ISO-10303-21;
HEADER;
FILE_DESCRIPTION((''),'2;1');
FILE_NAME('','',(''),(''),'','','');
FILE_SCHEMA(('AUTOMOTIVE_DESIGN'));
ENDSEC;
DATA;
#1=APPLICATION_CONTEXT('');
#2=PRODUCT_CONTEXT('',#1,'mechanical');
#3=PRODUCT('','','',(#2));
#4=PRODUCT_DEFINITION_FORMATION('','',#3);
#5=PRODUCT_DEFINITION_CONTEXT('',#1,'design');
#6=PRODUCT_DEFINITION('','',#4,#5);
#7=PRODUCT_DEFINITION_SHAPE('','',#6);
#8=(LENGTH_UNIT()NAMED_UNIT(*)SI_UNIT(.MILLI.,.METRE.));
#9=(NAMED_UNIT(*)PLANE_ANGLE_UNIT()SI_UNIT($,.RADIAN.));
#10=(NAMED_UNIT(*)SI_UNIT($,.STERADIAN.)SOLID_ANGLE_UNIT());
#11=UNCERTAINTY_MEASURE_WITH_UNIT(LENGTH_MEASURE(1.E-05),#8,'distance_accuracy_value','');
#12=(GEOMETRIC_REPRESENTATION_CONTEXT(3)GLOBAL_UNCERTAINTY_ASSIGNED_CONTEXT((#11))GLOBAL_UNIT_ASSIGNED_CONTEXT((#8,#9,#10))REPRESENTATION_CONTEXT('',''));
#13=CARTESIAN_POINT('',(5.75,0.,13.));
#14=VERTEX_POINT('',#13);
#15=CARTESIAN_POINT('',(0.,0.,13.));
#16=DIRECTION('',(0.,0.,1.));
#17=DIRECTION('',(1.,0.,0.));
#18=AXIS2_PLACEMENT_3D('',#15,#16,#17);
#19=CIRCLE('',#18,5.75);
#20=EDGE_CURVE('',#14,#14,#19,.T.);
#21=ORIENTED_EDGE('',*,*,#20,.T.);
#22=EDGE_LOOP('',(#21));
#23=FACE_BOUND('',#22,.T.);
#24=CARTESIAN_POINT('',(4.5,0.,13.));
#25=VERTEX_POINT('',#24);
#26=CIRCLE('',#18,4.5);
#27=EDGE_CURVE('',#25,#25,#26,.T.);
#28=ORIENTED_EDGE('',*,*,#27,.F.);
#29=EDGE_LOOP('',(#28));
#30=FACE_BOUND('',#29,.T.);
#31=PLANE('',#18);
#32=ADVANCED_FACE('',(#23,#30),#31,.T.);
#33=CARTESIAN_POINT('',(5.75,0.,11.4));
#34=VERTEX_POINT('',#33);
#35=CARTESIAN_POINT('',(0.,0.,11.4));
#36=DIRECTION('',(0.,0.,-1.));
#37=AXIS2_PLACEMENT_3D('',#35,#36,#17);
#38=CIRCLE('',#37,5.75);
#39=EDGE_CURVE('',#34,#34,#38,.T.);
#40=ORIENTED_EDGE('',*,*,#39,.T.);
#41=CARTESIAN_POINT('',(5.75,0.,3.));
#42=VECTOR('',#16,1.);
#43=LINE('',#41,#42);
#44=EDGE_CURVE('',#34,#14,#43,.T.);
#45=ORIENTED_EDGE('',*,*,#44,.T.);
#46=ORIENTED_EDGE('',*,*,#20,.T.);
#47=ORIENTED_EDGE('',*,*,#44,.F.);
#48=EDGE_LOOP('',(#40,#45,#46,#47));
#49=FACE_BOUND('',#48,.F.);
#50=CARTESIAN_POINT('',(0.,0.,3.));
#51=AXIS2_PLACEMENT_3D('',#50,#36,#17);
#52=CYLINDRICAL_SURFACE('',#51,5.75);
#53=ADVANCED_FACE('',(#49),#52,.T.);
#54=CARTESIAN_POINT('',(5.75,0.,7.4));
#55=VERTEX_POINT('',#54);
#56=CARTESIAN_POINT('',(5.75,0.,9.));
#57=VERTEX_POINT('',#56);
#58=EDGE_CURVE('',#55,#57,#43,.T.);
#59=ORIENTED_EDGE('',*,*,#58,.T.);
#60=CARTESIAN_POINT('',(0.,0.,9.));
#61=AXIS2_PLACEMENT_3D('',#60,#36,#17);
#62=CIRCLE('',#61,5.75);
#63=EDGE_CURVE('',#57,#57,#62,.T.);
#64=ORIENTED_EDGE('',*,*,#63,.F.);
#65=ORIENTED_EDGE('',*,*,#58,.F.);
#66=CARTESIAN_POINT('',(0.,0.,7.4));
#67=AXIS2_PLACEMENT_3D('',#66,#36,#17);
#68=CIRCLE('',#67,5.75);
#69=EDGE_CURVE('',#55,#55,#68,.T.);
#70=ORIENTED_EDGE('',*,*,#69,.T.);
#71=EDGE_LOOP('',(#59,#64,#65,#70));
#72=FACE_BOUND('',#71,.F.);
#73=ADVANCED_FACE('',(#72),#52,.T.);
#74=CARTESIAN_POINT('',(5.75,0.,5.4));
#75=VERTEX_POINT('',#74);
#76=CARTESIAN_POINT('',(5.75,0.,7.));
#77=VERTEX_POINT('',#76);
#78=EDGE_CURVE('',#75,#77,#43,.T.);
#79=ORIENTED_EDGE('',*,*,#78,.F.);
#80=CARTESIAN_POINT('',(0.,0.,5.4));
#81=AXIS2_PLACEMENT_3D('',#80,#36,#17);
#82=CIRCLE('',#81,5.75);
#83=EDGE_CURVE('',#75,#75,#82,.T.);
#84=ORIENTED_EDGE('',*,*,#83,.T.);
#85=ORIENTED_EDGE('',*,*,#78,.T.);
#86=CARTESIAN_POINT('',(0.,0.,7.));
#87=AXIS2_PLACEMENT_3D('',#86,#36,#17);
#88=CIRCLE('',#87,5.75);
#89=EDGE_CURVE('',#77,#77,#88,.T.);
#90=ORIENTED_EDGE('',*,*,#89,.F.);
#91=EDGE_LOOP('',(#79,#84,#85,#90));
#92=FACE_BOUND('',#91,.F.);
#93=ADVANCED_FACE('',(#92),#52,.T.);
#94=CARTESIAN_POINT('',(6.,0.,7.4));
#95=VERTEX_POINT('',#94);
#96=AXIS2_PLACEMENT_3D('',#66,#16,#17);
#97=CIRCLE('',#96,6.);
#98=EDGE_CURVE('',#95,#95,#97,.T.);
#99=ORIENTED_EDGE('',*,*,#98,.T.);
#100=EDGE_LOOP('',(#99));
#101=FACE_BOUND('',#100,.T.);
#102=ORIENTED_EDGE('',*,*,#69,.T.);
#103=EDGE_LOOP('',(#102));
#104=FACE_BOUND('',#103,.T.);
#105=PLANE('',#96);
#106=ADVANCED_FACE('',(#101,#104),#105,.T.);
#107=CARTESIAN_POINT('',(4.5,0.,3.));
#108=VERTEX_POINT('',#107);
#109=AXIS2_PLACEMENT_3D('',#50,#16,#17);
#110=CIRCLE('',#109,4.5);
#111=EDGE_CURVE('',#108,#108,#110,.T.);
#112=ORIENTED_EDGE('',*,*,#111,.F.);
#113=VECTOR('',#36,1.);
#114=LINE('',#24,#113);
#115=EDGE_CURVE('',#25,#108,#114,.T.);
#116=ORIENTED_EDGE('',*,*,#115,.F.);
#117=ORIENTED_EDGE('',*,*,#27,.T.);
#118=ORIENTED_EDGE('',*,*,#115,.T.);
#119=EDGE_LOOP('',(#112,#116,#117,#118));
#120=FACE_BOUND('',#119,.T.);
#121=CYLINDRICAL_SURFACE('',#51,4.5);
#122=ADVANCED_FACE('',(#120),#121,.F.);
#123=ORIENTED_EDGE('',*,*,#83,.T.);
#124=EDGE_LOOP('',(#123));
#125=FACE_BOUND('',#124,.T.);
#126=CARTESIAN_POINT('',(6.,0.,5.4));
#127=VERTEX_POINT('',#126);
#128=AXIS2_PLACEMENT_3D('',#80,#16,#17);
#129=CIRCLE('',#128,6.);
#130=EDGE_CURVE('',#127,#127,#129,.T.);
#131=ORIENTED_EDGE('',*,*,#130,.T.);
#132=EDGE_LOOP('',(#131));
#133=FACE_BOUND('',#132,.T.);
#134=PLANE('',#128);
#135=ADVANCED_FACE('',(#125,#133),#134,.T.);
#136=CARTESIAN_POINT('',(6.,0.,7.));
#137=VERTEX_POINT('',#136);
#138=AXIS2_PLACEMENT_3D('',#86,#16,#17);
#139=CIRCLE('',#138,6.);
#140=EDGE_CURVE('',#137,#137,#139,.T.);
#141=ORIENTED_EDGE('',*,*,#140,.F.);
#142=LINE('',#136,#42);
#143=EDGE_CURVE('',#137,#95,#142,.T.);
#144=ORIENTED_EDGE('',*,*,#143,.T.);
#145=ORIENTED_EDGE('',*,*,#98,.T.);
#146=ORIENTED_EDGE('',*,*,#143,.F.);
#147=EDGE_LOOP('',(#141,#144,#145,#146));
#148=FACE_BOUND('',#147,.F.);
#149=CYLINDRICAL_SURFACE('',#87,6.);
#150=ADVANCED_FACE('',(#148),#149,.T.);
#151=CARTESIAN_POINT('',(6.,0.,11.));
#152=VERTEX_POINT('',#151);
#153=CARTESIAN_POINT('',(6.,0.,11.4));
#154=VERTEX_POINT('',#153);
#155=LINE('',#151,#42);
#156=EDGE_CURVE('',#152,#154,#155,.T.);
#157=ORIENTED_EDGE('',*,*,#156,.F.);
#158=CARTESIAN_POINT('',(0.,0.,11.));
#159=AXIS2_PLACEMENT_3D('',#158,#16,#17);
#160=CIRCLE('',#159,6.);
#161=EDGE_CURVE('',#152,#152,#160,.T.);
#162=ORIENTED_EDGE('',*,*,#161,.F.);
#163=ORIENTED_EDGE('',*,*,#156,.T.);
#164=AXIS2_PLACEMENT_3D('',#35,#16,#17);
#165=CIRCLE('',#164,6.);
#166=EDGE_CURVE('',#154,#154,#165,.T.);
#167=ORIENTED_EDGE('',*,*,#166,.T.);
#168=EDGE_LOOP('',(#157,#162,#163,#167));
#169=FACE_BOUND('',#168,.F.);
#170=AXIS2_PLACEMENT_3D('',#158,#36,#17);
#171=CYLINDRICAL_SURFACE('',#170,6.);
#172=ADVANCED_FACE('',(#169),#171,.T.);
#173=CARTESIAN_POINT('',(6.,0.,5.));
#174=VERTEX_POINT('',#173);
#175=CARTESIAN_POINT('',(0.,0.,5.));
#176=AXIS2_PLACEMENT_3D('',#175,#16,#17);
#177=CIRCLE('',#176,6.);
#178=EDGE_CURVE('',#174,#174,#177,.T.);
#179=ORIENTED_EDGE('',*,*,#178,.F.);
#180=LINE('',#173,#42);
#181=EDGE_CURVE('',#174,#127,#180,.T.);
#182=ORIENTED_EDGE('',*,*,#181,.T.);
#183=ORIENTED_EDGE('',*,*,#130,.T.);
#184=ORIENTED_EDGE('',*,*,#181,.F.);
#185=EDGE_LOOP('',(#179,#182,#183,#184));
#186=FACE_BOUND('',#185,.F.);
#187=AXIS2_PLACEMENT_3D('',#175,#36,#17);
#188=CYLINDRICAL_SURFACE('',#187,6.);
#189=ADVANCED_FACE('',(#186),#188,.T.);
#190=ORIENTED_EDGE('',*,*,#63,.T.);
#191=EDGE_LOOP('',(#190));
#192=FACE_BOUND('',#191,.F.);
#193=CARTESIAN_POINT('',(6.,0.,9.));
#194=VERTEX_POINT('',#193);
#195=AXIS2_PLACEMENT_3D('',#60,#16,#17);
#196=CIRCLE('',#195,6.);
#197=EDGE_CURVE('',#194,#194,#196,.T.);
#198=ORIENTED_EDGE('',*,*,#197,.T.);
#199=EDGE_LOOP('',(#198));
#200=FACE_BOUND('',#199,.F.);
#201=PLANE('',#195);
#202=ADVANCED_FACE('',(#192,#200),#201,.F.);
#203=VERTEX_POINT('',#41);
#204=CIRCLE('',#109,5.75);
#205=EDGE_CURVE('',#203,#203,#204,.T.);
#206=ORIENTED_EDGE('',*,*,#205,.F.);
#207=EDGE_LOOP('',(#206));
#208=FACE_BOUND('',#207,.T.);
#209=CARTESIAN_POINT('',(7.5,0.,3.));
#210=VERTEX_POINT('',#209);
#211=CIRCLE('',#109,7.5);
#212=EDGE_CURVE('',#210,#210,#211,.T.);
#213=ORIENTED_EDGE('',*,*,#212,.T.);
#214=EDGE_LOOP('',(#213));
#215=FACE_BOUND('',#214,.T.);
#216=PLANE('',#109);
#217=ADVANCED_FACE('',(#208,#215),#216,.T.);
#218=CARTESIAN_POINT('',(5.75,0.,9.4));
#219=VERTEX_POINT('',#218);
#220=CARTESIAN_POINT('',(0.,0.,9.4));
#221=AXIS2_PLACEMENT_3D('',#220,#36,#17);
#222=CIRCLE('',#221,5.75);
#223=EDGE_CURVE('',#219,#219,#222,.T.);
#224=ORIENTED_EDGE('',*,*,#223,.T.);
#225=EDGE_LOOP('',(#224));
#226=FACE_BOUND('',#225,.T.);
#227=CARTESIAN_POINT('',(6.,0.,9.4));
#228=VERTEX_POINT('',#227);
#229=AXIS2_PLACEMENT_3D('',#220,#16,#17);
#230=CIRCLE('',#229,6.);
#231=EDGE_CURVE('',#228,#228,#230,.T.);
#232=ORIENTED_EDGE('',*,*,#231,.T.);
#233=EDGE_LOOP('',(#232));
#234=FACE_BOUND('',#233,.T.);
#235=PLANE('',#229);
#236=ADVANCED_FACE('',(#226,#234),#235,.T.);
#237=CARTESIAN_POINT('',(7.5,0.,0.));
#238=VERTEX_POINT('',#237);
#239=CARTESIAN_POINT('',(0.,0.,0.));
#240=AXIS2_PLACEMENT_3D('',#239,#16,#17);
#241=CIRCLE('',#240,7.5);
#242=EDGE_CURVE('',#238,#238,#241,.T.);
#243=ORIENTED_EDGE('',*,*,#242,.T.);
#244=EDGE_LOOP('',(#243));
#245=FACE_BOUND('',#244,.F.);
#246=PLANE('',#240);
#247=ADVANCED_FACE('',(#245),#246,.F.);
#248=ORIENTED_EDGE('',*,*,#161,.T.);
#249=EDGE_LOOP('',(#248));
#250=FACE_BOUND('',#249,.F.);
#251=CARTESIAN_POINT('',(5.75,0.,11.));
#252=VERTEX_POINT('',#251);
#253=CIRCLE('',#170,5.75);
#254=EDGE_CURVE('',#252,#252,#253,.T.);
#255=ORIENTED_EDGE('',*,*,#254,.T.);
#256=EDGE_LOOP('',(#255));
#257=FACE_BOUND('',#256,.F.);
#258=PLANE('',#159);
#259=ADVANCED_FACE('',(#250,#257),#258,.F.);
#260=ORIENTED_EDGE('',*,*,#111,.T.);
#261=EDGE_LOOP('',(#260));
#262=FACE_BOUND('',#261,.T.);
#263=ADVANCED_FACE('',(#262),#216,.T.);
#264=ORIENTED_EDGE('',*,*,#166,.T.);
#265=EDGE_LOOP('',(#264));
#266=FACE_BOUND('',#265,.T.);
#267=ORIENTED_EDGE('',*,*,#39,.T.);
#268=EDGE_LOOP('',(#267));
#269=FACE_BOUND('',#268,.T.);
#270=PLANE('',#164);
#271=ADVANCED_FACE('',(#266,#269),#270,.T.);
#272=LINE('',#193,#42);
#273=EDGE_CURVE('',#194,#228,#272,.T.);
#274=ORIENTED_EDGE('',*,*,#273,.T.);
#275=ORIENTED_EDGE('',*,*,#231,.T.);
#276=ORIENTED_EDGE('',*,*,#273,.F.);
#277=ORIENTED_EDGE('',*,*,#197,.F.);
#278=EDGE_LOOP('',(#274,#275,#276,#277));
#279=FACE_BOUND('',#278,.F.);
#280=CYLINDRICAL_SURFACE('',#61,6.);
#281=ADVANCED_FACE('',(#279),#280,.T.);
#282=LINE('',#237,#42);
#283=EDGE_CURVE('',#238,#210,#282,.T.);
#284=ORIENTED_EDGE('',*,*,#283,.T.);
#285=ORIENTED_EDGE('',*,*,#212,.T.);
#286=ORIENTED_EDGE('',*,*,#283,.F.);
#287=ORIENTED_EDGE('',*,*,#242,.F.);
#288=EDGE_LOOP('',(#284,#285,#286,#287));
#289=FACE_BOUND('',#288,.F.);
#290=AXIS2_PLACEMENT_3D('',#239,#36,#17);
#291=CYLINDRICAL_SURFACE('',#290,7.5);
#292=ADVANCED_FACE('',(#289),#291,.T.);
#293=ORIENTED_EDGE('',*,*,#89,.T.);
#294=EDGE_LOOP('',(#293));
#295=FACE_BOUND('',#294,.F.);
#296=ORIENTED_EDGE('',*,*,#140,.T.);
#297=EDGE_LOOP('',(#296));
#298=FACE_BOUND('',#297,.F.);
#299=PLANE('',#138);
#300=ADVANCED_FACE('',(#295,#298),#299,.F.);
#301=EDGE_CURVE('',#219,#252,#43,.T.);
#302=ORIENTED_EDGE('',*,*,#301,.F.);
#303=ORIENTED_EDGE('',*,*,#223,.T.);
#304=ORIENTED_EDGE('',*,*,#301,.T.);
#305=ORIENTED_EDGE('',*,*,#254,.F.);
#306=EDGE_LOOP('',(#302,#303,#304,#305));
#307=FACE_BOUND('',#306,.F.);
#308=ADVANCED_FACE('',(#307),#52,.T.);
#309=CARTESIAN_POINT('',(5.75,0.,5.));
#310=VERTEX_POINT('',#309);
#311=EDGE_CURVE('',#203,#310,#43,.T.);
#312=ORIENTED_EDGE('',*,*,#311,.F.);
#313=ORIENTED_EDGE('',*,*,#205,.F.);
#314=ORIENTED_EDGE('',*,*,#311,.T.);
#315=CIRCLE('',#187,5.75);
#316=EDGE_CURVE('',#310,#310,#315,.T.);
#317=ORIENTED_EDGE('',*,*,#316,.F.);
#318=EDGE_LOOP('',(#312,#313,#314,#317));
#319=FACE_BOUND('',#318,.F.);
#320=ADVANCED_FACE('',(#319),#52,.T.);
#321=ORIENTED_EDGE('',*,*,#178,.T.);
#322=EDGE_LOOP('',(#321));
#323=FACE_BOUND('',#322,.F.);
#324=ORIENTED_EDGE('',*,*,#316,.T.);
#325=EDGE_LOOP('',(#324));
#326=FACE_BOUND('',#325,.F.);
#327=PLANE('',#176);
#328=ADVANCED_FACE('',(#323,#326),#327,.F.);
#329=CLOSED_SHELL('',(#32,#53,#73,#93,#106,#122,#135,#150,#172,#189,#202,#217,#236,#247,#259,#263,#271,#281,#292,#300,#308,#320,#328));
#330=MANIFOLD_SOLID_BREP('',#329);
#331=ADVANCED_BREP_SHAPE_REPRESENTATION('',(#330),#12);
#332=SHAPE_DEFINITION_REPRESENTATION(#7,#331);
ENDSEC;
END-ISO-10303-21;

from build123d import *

# Parameters (mm, degrees)
F0_R      = 7.5
F1_DEPTH  = 3
F2_R      = 5.75
F2_R_2    = 4.5
F3_DEPTH  = 10
F5_R      = 6
F5_R_2    = 4.5
F6_DEPTH  = 0.4
F8_R      = 6
F8_R_2    = 4.5
F9_DEPTH  = 0.4
F11_R     = 6
F11_R_2   = 4.5
F12_DEPTH = 0.4
F14_R     = 6
F14_R_2   = 4.5
F15_DEPTH = 0.4


with BuildPart() as f1:
    # F0 (on Top) → F1 (new body)
    with BuildSketch(Plane.XY):
        Circle(F0_R)
    extrude(amount=F1_DEPTH)

    # F2 (on face) → F3 (join)
    with BuildSketch(Plane.XY.offset(3)):
        Circle(F2_R)
        Circle(F2_R_2, mode=Mode.SUBTRACT)
    extrude(amount=F3_DEPTH)

    # F5 (on offset) → F6 (join)
    with BuildSketch(Plane.XY.offset(5)):
        Circle(F5_R)
        Circle(F5_R_2, mode=Mode.SUBTRACT)
    extrude(amount=F6_DEPTH)

    # F8 (on offset) → F9 (join)
    with BuildSketch(Plane.XY.offset(7)):
        Circle(F8_R)
        Circle(F8_R_2, mode=Mode.SUBTRACT)
    extrude(amount=F9_DEPTH)

    # F11 (on offset) → F12 (join)
    with BuildSketch(Plane.XY.offset(9)):
        Circle(F11_R)
        Circle(F11_R_2, mode=Mode.SUBTRACT)
    extrude(amount=F12_DEPTH)

    # F14 (on offset) → F15 (join)
    with BuildSketch(Plane.XY.offset(11)):
        Circle(F14_R)
        Circle(F14_R_2, mode=Mode.SUBTRACT)
    extrude(amount=F15_DEPTH)


solid = f1.part
